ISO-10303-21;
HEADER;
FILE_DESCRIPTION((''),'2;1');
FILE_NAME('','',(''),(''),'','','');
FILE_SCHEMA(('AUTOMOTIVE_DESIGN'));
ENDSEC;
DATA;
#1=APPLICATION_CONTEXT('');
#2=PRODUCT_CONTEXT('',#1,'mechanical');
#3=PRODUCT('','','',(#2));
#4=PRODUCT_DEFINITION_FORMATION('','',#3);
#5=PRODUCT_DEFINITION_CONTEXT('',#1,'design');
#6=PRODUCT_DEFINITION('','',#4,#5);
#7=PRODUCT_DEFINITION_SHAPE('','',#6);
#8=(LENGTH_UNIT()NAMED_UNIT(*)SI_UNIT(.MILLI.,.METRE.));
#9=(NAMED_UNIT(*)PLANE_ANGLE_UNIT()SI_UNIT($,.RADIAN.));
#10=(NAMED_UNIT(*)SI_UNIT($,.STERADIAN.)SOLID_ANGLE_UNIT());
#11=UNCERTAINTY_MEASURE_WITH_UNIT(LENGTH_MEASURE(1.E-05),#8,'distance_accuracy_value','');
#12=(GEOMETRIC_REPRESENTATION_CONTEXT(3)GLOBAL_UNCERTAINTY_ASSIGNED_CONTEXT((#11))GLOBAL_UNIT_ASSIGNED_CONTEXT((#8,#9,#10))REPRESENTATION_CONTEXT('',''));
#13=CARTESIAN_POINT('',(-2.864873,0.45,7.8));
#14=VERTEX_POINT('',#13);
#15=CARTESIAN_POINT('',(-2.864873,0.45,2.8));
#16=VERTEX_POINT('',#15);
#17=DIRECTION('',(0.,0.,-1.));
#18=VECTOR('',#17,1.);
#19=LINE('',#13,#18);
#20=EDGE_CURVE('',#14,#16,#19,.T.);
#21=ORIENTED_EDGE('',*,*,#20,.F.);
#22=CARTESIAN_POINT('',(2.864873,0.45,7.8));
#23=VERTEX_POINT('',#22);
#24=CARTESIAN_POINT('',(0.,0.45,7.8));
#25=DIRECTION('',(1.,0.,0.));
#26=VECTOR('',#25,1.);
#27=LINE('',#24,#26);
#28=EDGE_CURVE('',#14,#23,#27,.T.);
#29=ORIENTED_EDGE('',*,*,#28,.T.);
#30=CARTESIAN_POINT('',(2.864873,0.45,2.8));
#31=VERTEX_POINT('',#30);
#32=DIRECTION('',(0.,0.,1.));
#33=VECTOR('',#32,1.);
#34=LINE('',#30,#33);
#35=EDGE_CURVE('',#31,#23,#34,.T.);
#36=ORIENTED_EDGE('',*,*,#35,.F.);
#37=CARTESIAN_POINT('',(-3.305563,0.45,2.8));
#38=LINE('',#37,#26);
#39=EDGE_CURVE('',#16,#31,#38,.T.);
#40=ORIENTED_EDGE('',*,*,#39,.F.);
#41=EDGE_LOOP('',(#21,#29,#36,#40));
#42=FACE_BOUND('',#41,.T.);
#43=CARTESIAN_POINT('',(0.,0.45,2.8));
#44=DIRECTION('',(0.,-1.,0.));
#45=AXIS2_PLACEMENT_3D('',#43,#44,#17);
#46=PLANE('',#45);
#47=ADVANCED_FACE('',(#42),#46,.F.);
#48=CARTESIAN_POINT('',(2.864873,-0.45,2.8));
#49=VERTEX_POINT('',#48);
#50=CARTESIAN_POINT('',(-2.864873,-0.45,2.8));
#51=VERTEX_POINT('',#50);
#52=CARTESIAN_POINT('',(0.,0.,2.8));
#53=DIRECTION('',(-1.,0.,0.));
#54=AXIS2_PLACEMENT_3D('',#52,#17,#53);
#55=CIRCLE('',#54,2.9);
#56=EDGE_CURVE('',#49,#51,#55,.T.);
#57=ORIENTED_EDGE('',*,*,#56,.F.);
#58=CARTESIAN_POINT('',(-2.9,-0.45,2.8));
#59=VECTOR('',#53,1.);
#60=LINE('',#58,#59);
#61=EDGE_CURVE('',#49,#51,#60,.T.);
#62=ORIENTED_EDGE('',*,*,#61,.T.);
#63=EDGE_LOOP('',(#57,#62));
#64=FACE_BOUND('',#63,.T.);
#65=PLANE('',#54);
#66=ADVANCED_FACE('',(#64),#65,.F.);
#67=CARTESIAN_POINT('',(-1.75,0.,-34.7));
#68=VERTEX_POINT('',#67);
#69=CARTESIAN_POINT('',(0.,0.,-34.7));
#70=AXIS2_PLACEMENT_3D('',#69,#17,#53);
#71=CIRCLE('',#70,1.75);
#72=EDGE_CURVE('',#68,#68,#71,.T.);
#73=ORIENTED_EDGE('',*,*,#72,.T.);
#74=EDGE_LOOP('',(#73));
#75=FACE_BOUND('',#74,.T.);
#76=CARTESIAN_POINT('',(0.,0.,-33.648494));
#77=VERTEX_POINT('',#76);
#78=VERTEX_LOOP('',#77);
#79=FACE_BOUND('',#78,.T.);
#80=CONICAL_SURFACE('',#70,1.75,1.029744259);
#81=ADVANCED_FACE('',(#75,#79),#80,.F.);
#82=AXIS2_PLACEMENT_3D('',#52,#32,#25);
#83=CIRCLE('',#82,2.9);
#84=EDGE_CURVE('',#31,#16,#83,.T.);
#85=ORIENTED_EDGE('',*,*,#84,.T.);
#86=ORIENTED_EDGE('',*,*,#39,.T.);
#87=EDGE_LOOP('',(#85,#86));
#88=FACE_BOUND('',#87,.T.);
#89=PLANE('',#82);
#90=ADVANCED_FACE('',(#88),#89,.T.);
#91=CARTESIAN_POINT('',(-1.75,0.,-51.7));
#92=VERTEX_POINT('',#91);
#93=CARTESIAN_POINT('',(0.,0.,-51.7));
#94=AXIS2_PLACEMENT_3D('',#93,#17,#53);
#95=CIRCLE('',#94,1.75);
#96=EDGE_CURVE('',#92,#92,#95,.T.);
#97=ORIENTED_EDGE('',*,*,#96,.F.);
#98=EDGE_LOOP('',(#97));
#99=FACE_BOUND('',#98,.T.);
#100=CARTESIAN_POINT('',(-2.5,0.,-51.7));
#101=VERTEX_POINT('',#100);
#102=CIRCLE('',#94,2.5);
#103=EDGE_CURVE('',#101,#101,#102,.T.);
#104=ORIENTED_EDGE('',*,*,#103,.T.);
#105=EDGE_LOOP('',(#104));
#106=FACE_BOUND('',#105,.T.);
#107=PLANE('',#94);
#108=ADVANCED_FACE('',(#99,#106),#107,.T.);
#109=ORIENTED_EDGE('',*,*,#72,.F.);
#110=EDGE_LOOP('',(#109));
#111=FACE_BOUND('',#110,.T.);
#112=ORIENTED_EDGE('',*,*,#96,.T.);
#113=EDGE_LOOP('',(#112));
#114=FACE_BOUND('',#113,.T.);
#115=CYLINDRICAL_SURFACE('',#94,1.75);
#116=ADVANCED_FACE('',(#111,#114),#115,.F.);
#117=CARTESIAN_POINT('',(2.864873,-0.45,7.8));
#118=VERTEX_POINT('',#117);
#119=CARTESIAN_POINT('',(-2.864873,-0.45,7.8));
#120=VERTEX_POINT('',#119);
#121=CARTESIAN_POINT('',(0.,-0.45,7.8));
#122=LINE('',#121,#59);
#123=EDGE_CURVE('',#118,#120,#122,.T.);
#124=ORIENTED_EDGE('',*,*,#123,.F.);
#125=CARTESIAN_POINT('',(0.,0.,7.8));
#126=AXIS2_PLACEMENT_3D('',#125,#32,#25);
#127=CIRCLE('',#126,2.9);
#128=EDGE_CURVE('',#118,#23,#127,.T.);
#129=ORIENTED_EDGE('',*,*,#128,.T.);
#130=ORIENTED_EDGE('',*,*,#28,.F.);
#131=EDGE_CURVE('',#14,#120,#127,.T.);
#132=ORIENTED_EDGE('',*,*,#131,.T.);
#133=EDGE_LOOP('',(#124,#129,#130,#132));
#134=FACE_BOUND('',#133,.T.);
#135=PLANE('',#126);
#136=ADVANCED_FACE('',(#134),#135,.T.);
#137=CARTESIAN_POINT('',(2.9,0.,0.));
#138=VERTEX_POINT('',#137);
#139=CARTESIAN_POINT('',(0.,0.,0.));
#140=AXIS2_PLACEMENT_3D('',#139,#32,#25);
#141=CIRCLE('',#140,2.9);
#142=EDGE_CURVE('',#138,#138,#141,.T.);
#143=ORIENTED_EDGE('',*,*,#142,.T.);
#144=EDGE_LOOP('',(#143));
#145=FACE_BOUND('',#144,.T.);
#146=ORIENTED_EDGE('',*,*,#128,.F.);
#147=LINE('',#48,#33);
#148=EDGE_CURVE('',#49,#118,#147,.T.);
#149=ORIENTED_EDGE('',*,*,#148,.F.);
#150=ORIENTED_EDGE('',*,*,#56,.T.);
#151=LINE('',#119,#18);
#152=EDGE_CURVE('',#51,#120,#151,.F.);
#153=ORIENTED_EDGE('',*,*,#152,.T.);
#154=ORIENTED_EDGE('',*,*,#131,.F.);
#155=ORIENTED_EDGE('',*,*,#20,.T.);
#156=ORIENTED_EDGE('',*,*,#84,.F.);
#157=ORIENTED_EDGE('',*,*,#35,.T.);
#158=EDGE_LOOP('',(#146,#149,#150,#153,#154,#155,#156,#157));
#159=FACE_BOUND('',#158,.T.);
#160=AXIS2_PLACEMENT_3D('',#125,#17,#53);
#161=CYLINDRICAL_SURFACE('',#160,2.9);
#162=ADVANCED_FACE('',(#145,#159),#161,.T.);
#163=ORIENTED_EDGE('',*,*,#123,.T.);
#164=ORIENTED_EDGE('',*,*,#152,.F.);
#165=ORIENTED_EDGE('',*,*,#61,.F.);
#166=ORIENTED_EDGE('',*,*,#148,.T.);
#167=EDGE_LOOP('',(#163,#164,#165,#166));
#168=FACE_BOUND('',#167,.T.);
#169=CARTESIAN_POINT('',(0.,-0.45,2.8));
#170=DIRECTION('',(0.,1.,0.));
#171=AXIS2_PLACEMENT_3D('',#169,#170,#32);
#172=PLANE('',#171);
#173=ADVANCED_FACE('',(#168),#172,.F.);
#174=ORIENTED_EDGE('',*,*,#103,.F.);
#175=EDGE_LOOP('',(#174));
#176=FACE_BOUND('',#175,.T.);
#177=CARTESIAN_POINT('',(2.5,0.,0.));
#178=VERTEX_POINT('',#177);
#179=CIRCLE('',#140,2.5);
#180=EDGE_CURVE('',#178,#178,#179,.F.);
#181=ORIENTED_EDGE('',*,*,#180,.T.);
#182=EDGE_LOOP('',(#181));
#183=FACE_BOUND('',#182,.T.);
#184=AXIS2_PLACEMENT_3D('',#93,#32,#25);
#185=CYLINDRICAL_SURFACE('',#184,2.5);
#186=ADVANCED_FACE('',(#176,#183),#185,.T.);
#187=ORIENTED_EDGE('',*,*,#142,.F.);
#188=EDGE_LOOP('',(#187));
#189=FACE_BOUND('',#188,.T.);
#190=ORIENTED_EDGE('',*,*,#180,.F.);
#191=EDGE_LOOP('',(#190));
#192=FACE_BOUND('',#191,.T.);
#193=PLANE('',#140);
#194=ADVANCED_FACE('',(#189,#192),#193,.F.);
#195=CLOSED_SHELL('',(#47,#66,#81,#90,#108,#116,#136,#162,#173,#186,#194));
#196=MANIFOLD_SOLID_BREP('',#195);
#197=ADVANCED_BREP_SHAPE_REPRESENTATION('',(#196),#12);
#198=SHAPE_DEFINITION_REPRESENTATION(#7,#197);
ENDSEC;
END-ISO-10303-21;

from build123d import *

# Parameters (mm, degrees)
SZKIC1_R                    = 2.9
DODANIE_WYCI_GNI_CIE1_DEPTH = 7.8
WYTNIJ_WYCI_GNI_CIE1_DEPTH  = 5
SZKIC3_R                    = 2.5
DODANIE_WYCI_GNI_CIE2_DEPTH = 51.7


with BuildPart() as part:
    # Szkic1 → Dodanie-wyciągnięcie1 (new body)
    with BuildSketch(Plane.XY):
        Circle(SZKIC1_R)
    extrude(amount=DODANIE_WYCI_GNI_CIE1_DEPTH)

    # Szkic2 → Wytnij-wyciągnięcie1 (cut)
    with BuildSketch(Plane.XY.offset(7.8)):
        Polygon((0, -0.45), (2.86487347, -0.45), (2.86487347, -2.9), (-2.9, -2.9), (-2.9, -0.45), align=None)
        Polygon((0, 0.45), (2.86487347, 0.45), (2.86487347, 2.9), (-3.305563266, 2.9), (-3.305563266, 0.45), align=None)
    extrude(amount=-WYTNIJ_WYCI_GNI_CIE1_DEPTH, mode=Mode.SUBTRACT)

    # Szkic3 → Dodanie-wyciągnięcie2 (add)
    with BuildSketch(Plane(origin=(0, 0, 0), x_dir=(-1, 0, 0), z_dir=(0, 0, -1))):
        Circle(SZKIC3_R)
    extrude(amount=DODANIE_WYCI_GNI_CIE2_DEPTH)

    # Szkic7 → Otwór Ø3.5 (3.5)2 (revolve, cut)
    with BuildSketch(Plane(origin=(0, 0, -51.7), x_dir=(0, 1, 0), z_dir=(1, 0, 0))):
        Polygon((0, 0), (0, 18.051506083), (1.75, 17), (1.75, 0), align=None)
    revolve(axis=Axis((0, 0, -58.05), (0, 0, 1)), mode=Mode.SUBTRACT)


solid = part.part
